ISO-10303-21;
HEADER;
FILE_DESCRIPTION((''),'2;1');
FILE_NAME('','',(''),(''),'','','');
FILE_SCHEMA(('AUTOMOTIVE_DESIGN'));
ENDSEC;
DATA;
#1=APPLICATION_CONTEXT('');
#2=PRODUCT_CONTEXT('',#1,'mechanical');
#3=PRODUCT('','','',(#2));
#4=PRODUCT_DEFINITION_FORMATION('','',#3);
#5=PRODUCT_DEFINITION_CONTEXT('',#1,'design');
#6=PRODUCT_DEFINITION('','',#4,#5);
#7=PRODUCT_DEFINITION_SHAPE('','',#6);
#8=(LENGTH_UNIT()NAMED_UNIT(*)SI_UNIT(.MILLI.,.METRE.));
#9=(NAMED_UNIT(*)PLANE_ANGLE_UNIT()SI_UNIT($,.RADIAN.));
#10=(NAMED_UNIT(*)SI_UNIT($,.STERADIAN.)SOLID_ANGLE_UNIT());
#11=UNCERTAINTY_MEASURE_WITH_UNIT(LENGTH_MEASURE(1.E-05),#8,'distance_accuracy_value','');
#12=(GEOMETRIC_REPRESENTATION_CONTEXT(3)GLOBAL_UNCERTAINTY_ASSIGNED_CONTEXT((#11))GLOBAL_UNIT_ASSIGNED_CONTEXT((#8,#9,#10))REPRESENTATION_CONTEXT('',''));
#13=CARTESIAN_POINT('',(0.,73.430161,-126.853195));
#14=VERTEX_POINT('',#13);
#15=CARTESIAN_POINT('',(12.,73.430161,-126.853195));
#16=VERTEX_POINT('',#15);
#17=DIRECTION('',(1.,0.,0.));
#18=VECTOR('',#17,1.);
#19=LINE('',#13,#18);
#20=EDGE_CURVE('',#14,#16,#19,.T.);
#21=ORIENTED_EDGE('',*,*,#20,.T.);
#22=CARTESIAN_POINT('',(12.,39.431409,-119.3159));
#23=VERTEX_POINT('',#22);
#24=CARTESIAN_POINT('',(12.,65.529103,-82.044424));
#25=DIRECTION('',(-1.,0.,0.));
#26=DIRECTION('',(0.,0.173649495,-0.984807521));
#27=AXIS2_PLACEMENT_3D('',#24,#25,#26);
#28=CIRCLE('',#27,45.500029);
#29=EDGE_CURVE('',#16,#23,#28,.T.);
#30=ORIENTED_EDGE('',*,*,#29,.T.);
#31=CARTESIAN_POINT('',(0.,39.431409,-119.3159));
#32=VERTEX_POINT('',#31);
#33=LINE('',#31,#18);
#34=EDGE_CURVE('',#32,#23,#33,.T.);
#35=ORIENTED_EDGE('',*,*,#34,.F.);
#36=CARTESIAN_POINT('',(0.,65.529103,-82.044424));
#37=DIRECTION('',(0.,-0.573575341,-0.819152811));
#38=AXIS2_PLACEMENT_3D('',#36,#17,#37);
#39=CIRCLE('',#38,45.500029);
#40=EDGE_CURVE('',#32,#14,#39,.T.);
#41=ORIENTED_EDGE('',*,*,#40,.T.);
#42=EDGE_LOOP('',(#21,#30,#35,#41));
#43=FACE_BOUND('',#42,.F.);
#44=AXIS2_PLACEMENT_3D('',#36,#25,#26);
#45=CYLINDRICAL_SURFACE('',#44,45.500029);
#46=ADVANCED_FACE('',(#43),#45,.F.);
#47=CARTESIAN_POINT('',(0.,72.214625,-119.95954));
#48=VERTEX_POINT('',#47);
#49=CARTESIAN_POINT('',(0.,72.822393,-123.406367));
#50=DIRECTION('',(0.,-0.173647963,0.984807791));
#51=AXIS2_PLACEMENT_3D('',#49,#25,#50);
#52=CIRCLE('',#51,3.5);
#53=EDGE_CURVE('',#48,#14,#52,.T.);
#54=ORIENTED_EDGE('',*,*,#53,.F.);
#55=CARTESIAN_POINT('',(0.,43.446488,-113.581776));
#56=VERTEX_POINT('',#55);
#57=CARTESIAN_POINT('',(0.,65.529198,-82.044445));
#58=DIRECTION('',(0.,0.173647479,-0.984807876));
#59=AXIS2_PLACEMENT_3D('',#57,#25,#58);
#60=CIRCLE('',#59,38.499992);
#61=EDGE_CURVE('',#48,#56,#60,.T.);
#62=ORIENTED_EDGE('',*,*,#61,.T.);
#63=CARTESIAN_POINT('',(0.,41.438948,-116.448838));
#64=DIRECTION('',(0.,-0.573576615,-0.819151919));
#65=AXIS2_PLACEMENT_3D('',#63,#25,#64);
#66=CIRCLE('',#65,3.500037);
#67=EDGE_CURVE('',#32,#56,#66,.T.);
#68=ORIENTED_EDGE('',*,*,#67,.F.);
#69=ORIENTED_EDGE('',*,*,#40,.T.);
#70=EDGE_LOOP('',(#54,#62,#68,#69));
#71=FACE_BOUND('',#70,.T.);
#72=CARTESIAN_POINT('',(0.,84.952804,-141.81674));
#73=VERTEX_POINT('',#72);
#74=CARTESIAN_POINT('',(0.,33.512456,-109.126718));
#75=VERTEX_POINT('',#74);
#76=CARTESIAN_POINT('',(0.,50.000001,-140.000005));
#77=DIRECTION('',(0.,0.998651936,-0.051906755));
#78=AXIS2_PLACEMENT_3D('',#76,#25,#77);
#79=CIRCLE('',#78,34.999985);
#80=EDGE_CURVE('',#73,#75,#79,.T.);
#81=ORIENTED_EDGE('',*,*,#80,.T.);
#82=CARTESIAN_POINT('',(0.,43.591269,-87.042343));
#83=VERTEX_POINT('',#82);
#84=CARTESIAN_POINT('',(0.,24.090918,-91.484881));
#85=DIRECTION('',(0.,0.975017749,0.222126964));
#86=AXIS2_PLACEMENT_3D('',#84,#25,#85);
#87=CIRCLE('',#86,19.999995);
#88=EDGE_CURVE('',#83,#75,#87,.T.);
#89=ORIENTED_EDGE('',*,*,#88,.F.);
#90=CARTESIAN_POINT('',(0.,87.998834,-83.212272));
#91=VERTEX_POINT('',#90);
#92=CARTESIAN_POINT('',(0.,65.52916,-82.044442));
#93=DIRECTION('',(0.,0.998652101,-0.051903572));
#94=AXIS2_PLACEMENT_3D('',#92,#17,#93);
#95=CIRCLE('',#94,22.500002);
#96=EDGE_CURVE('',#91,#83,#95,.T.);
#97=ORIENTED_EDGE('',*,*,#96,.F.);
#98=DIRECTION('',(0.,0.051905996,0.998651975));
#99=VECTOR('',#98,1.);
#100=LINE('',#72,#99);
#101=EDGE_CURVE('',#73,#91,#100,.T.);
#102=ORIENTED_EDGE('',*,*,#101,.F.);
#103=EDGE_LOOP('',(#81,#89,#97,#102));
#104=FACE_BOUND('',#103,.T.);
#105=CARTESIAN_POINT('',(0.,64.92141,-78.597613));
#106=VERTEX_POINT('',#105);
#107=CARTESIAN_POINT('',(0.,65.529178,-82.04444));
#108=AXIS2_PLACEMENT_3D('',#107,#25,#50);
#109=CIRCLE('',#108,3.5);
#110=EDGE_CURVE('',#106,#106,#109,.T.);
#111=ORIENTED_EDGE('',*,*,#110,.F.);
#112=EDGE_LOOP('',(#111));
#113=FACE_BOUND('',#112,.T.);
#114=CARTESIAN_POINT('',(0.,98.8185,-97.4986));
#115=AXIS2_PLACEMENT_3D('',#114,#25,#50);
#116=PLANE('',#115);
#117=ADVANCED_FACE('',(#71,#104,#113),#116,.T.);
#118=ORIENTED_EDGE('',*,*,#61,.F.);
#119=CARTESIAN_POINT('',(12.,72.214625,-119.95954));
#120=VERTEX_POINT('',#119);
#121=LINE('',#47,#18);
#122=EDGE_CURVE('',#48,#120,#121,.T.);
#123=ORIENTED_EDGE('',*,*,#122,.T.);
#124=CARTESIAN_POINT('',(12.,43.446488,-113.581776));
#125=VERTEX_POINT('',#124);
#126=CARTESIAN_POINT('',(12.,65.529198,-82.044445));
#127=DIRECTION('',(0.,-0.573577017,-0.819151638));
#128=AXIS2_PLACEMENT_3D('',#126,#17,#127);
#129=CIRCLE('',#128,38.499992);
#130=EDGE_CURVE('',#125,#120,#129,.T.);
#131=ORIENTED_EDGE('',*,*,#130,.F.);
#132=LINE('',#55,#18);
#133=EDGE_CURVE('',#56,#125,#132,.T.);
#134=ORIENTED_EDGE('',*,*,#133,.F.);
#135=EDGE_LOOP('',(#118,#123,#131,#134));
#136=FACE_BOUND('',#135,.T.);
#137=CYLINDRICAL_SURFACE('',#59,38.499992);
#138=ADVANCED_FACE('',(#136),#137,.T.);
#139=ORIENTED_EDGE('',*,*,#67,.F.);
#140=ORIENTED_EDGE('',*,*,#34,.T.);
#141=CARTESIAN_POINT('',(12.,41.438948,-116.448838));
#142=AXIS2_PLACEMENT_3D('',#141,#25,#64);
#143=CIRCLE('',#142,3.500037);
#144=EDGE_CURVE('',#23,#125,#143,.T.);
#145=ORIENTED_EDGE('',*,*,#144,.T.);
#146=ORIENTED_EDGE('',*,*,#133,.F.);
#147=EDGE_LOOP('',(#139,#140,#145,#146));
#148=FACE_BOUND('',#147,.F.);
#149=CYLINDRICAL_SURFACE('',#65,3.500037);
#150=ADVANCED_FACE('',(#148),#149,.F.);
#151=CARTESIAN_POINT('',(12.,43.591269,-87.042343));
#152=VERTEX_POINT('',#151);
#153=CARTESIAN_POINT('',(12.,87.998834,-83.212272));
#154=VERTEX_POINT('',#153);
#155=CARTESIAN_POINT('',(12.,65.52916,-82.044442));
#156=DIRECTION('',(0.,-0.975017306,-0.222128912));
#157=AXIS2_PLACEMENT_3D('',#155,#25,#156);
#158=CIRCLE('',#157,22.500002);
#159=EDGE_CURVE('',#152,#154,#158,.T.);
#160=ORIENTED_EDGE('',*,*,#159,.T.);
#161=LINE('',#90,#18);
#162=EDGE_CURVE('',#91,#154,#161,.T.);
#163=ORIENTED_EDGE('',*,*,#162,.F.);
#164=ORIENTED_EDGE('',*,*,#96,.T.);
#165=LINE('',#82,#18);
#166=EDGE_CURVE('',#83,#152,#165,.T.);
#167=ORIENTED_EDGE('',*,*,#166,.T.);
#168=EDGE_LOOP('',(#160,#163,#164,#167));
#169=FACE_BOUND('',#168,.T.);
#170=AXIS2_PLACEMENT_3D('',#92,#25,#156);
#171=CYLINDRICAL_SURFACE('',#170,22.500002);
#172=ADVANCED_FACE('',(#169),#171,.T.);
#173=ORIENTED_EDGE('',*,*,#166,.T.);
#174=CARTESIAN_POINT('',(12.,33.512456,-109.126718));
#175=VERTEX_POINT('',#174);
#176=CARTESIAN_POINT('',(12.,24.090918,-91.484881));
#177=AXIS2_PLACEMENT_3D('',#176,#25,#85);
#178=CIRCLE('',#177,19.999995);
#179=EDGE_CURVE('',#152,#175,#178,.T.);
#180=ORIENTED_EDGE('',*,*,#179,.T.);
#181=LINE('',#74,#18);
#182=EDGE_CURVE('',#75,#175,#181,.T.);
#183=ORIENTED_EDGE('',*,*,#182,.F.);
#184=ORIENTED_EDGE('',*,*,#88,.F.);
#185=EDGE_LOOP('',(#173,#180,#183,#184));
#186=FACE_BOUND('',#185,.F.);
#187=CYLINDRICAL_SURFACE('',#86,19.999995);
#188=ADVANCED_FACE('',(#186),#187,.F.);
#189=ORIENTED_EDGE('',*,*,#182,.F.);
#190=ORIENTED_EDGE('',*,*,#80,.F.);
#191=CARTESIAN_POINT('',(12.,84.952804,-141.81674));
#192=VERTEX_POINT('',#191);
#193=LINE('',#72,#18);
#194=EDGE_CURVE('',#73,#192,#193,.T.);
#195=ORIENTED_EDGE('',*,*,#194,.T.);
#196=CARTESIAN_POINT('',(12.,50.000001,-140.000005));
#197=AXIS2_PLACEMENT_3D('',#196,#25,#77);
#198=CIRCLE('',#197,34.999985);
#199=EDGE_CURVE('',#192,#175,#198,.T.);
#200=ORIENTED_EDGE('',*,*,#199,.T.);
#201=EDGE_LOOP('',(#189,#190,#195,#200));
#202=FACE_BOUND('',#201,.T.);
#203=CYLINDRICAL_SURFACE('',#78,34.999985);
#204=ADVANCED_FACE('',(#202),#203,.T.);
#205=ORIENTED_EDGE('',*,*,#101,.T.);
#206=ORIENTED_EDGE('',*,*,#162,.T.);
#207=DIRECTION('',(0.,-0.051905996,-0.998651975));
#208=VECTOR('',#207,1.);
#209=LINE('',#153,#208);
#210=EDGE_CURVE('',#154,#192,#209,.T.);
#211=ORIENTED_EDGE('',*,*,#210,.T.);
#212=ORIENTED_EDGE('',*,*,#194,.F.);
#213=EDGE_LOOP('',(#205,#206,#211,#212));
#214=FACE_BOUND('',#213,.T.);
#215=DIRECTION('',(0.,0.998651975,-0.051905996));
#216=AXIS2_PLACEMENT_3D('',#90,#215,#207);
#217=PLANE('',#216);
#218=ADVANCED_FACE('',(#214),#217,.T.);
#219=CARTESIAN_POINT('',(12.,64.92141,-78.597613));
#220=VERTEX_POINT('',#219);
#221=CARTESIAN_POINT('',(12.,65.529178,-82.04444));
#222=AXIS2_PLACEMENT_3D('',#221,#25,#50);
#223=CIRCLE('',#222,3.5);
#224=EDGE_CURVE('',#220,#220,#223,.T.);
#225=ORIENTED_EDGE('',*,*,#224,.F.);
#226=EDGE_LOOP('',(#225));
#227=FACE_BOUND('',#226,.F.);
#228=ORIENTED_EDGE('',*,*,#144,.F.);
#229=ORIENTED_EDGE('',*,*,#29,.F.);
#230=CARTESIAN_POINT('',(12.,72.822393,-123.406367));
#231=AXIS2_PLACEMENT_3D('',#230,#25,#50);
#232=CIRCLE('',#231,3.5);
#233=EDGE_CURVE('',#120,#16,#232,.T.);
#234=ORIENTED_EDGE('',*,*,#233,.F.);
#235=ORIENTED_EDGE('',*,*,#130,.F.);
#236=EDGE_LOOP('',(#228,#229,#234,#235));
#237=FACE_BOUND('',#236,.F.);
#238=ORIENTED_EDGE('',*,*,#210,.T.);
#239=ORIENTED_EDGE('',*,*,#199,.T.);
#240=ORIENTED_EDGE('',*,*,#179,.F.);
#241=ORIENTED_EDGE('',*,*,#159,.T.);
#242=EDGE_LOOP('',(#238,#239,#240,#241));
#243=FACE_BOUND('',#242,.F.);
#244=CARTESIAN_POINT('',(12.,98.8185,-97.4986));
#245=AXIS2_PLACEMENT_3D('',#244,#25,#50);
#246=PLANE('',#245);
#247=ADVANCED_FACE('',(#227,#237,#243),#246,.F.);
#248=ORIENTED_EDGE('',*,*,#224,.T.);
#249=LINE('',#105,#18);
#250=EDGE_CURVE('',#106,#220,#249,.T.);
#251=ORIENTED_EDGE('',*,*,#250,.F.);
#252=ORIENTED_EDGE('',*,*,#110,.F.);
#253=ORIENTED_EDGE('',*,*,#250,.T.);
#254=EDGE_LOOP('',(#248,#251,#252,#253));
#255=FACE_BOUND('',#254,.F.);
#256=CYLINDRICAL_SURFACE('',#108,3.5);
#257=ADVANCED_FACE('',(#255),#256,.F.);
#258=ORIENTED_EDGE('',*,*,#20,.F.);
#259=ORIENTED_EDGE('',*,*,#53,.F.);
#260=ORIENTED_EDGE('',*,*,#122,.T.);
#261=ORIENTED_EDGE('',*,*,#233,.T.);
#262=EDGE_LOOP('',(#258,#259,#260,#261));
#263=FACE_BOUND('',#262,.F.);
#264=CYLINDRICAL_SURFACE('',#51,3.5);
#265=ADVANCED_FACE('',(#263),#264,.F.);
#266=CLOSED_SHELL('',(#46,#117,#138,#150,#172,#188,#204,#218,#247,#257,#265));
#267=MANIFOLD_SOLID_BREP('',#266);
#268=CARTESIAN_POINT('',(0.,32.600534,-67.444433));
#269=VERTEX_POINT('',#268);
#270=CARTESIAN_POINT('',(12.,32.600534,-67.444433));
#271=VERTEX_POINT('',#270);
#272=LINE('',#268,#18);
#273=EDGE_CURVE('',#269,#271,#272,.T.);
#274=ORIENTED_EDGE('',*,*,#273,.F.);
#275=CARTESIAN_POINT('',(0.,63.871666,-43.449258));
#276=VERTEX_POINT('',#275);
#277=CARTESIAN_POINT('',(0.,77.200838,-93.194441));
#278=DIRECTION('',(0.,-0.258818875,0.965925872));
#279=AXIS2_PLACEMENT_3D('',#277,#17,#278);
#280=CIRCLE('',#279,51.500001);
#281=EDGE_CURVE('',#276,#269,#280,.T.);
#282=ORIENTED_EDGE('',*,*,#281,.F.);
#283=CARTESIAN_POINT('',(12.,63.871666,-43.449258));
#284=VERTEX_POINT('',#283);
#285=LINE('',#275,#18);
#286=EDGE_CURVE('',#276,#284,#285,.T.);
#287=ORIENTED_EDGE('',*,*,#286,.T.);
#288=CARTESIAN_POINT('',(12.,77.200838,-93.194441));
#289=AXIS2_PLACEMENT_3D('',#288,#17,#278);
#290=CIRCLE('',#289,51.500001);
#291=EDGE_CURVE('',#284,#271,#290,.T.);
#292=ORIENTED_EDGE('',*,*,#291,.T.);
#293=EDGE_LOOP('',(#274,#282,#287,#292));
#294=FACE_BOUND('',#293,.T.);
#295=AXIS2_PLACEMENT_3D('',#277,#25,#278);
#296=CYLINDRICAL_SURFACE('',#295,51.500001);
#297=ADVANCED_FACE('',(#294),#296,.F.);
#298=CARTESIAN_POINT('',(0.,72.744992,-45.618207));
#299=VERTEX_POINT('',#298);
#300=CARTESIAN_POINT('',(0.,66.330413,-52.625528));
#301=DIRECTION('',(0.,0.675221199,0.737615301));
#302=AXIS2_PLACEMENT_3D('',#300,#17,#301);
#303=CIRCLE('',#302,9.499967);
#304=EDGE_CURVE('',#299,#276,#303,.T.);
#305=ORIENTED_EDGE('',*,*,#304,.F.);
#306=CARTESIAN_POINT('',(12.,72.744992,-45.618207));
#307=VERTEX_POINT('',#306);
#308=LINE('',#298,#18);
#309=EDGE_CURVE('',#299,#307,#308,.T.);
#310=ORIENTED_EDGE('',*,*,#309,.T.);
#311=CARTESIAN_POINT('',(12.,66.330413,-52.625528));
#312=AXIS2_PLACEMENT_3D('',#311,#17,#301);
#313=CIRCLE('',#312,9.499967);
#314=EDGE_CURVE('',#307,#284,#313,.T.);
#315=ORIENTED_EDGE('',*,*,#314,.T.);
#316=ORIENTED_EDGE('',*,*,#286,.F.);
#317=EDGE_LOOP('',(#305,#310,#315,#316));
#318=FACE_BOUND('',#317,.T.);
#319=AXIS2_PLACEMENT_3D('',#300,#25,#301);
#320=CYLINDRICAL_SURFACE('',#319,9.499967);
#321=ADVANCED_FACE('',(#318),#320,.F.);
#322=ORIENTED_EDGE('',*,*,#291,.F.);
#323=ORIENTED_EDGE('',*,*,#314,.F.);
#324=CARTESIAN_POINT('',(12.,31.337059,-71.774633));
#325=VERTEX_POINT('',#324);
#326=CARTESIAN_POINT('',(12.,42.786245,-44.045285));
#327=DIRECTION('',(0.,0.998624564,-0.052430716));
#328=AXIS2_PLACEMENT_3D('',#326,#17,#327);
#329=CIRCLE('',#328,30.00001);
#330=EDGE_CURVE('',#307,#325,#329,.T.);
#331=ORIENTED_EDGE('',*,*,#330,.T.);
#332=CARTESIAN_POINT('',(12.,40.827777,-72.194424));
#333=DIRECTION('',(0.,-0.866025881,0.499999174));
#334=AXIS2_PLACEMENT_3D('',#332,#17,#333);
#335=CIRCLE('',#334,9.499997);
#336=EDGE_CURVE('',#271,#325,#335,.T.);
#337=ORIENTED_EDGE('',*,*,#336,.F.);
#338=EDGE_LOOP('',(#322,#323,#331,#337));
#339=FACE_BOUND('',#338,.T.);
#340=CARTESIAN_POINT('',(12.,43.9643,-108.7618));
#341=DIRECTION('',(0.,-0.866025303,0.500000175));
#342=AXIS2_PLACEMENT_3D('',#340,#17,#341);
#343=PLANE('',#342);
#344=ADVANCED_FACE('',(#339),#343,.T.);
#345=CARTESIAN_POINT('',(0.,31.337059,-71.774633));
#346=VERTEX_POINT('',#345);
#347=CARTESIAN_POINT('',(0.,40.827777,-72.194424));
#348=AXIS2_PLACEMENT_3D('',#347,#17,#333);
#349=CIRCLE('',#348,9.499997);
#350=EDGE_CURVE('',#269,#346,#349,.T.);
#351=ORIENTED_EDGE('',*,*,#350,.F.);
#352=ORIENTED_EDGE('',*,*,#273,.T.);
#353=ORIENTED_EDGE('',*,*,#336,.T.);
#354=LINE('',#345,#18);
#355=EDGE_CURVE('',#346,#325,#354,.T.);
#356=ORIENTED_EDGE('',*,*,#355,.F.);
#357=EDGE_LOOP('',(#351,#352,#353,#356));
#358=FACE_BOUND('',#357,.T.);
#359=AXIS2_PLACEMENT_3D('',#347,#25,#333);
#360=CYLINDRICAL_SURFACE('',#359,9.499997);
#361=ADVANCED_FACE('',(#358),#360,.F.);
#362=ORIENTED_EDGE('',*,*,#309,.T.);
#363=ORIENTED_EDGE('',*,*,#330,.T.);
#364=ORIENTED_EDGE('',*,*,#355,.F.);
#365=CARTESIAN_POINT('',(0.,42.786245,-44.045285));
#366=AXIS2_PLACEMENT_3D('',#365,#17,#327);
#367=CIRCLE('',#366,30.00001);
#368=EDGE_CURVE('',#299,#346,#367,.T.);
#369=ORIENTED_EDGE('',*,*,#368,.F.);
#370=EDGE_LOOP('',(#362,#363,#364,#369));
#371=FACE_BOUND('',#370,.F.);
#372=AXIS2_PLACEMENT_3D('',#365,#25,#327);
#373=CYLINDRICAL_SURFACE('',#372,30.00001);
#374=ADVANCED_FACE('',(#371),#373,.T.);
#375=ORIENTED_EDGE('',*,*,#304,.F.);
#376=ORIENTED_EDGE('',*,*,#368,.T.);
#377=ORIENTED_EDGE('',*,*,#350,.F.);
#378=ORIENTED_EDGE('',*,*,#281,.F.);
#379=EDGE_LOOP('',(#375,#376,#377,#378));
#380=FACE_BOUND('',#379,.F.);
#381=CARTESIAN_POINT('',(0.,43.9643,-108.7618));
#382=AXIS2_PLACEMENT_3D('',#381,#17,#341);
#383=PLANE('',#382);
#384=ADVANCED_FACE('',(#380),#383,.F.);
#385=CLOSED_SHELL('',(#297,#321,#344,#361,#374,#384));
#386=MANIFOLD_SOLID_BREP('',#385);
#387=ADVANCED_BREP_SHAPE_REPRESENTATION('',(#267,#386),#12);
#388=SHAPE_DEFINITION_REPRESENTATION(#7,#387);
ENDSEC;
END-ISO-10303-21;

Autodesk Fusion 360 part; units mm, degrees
sketch "Sketch1" plane through (0, 0, 0) normal (0, 0, 1) x (1, 0, 0) in component "Tensioner Mount Plate"
  line L0 (-29, 0) -> (29, 0)
  line L1 (-29, 0) -> (-29, -38.1)
  circle A0 centre (21, -30.1) radius 3.5
  line L2 (15.9481, -8.1745) -> (-41.2371, -21.3508)
  arc A1 (19.8875, -52.5725) -> (-0.1112, -66.3331) centre (18.8987, -72.548) ccw
  line L3 (29, -38.1) -> (29, 0)
  line L4 (-29, -38.1) -> (29, -38.1)
  line L5 (21, -30.1) -> (-21, -30.1) construction
  line L6 (21, -30.1) -> (-33.3785, -55.4571) construction
  line L7 (-21, -30.1) -> (-29, -30.1) construction
  line L8 (29, -30.1) -> (21, -30.1) construction
  arc A2 (-41.2371, -21.3508) -> (-0.1112, -66.3331) centre (-33.3785, -55.4571) ccw
  arc A3 (19.8875, -52.5725) -> (15.9481, -8.1745) centre (21, -30.1) ccw
  line L9 (21, -30.1) -> (-8.6985, -59.7985) construction
  arc A4 (-20.8635, -26.6027) -> (-6.129, -62.175) centre (21.248, -29.9973) ccw construction
  arc A5 (-17.5, -30.1) -> (-6.2236, -57.3236) centre (21, -30.1) ccw
  arc A6 (-24.5, -30.1) -> (-11.1734, -62.2734) centre (21, -30.1) ccw
  arc A7 (-11.1734, -62.2734) -> (-6.2236, -57.3236) centre (-8.6985, -59.7985) ccw
  arc A8 (-17.5, -30.1) -> (-24.5, -30.1) centre (-21, -30.1) ccw
  dimension "d56_1" = 8
  dimension "d57_1" = 8
  dimension "d58_1" = 7
  dimension "d59_1" = 45
  dimension "d60_1" = 35
  dimension "d61_1" = 20
  dimension "d63_1" = 60
  dimension "d64_1" = 25
  dimension "d65_1" = 45
extrude "Extrude1" add sketch "Sketch1" against normal blind 12 contours L1 L2 L3 L4 A3 A5 A6 A8 | L1 L2 A1 L3 L4 A2 A3 A5 A6 A7 makes body 1 in component "Tensioner Mount Plate"
sketch "Sketch2" plane through (0, 0, -12) normal (0, 0, -1) x (-1, 0, 0) in component "Tensioner"
  circle A0 centre (-21, -30.1) radius 3.5
  arc A1 (24.5, -30.1) -> (17.5, -30.1) centre (21, -30.1) ccw
  arc A2 (11.1734, -62.2734) -> (24.5, -30.1) centre (-21, -30.1) ccw
  arc A3 (6.2236, -57.3236) -> (11.1734, -62.2734) centre (8.6985, -59.7985) ccw
  arc A4 (6.2236, -57.3236) -> (17.5, -30.1) centre (-21, -30.1) ccw
  arc A5 (-15.9481, -8.1745) -> (-19.8875, -52.5725) centre (-21, -30.1) ccw
  arc A6 (0.1112, -66.3331) -> (-19.8875, -52.5725) centre (-18.8987, -72.548) ccw
  arc A7 (0.1112, -66.3331) -> (41.2371, -21.3508) centre (33.3785, -55.4571) ccw
  line L0 (41.2371, -21.3508) -> (-15.9481, -8.1745)
  arc A8 (11.1734, -62.2734) -> (24.5, -30.1) centre (-21, -30.1) ccw
  arc A9 (6.2236, -57.3236) -> (11.1734, -62.2734) centre (8.6985, -59.7985) ccw
  arc A10 (6.2236, -57.3236) -> (17.5, -30.1) centre (-21, -30.1) ccw
  arc A11 (24.5, -30.1) -> (17.5, -30.1) centre (21, -30.1) ccw
  arc A12 (0.1112, -66.3331) -> (41.2371, -21.3508) centre (33.3785, -55.4571) ccw
  line L1 (41.2371, -21.3508) -> (-15.9481, -8.1745)
  arc A13 (-15.9481, -8.1745) -> (-19.8875, -52.5725) centre (-21, -30.1) ccw
  arc A14 (0.1112, -66.3331) -> (-19.8875, -52.5725) centre (-18.8987, -72.548) ccw
  circle A15 centre (-21, -30.1) radius 3.5
  arc A16 (30.5, -30.1) -> (29.4291, -25.7182) centre (21, -30.1) ccw
  arc A17 (6.647, -69.0743) -> (15.416, -66.516) centre (8.6985, -59.7985) ccw
  arc A18 (15.416, -66.516) -> (30.5, -30.1) centre (-21, -30.1) ccw
  arc A19 (6.647, -69.0743) -> (29.4291, -25.7182) centre (33.3785, -55.4571) ccw
  dimension "d68_1" = 60
extrude "Extrude2" add sketch "Sketch2" along normal blind 12 separate body contours A16 A17 A18 A19 makes body 2 in component "Tensioner"
sketch "Sketch1 (2)" plane through (0, 0, 0) normal (1, 0, 0) x (0, 0, -1)
  line L0 (0, 0) -> (609, 0)
  line L1 (609, 0) -> (609, 609)
  line L2 (609, 609) -> (0, 609)
  line L3 (0, 609) -> (0, 0)
  dimension "d1" = 609
  dimension "d2" = 609
extrude "Extrude1'" add sketch "Sketch1 (2)" along normal blind 12 separate body makes body 3
component "Tensioner Mount Plate" placed x (0, -0.173648, 0.984808) y (0, 0.984808, 0.173648) z (-1, 0, 0) at (0, 98.8185, -97.4986)
component "Tensioner" placed x (0, 0.866025, -0.5) y (0, -0.5, -0.866025) z (-1, 0, 0) at (-12, 43.9643, -108.7618)
hidden bodies 3
